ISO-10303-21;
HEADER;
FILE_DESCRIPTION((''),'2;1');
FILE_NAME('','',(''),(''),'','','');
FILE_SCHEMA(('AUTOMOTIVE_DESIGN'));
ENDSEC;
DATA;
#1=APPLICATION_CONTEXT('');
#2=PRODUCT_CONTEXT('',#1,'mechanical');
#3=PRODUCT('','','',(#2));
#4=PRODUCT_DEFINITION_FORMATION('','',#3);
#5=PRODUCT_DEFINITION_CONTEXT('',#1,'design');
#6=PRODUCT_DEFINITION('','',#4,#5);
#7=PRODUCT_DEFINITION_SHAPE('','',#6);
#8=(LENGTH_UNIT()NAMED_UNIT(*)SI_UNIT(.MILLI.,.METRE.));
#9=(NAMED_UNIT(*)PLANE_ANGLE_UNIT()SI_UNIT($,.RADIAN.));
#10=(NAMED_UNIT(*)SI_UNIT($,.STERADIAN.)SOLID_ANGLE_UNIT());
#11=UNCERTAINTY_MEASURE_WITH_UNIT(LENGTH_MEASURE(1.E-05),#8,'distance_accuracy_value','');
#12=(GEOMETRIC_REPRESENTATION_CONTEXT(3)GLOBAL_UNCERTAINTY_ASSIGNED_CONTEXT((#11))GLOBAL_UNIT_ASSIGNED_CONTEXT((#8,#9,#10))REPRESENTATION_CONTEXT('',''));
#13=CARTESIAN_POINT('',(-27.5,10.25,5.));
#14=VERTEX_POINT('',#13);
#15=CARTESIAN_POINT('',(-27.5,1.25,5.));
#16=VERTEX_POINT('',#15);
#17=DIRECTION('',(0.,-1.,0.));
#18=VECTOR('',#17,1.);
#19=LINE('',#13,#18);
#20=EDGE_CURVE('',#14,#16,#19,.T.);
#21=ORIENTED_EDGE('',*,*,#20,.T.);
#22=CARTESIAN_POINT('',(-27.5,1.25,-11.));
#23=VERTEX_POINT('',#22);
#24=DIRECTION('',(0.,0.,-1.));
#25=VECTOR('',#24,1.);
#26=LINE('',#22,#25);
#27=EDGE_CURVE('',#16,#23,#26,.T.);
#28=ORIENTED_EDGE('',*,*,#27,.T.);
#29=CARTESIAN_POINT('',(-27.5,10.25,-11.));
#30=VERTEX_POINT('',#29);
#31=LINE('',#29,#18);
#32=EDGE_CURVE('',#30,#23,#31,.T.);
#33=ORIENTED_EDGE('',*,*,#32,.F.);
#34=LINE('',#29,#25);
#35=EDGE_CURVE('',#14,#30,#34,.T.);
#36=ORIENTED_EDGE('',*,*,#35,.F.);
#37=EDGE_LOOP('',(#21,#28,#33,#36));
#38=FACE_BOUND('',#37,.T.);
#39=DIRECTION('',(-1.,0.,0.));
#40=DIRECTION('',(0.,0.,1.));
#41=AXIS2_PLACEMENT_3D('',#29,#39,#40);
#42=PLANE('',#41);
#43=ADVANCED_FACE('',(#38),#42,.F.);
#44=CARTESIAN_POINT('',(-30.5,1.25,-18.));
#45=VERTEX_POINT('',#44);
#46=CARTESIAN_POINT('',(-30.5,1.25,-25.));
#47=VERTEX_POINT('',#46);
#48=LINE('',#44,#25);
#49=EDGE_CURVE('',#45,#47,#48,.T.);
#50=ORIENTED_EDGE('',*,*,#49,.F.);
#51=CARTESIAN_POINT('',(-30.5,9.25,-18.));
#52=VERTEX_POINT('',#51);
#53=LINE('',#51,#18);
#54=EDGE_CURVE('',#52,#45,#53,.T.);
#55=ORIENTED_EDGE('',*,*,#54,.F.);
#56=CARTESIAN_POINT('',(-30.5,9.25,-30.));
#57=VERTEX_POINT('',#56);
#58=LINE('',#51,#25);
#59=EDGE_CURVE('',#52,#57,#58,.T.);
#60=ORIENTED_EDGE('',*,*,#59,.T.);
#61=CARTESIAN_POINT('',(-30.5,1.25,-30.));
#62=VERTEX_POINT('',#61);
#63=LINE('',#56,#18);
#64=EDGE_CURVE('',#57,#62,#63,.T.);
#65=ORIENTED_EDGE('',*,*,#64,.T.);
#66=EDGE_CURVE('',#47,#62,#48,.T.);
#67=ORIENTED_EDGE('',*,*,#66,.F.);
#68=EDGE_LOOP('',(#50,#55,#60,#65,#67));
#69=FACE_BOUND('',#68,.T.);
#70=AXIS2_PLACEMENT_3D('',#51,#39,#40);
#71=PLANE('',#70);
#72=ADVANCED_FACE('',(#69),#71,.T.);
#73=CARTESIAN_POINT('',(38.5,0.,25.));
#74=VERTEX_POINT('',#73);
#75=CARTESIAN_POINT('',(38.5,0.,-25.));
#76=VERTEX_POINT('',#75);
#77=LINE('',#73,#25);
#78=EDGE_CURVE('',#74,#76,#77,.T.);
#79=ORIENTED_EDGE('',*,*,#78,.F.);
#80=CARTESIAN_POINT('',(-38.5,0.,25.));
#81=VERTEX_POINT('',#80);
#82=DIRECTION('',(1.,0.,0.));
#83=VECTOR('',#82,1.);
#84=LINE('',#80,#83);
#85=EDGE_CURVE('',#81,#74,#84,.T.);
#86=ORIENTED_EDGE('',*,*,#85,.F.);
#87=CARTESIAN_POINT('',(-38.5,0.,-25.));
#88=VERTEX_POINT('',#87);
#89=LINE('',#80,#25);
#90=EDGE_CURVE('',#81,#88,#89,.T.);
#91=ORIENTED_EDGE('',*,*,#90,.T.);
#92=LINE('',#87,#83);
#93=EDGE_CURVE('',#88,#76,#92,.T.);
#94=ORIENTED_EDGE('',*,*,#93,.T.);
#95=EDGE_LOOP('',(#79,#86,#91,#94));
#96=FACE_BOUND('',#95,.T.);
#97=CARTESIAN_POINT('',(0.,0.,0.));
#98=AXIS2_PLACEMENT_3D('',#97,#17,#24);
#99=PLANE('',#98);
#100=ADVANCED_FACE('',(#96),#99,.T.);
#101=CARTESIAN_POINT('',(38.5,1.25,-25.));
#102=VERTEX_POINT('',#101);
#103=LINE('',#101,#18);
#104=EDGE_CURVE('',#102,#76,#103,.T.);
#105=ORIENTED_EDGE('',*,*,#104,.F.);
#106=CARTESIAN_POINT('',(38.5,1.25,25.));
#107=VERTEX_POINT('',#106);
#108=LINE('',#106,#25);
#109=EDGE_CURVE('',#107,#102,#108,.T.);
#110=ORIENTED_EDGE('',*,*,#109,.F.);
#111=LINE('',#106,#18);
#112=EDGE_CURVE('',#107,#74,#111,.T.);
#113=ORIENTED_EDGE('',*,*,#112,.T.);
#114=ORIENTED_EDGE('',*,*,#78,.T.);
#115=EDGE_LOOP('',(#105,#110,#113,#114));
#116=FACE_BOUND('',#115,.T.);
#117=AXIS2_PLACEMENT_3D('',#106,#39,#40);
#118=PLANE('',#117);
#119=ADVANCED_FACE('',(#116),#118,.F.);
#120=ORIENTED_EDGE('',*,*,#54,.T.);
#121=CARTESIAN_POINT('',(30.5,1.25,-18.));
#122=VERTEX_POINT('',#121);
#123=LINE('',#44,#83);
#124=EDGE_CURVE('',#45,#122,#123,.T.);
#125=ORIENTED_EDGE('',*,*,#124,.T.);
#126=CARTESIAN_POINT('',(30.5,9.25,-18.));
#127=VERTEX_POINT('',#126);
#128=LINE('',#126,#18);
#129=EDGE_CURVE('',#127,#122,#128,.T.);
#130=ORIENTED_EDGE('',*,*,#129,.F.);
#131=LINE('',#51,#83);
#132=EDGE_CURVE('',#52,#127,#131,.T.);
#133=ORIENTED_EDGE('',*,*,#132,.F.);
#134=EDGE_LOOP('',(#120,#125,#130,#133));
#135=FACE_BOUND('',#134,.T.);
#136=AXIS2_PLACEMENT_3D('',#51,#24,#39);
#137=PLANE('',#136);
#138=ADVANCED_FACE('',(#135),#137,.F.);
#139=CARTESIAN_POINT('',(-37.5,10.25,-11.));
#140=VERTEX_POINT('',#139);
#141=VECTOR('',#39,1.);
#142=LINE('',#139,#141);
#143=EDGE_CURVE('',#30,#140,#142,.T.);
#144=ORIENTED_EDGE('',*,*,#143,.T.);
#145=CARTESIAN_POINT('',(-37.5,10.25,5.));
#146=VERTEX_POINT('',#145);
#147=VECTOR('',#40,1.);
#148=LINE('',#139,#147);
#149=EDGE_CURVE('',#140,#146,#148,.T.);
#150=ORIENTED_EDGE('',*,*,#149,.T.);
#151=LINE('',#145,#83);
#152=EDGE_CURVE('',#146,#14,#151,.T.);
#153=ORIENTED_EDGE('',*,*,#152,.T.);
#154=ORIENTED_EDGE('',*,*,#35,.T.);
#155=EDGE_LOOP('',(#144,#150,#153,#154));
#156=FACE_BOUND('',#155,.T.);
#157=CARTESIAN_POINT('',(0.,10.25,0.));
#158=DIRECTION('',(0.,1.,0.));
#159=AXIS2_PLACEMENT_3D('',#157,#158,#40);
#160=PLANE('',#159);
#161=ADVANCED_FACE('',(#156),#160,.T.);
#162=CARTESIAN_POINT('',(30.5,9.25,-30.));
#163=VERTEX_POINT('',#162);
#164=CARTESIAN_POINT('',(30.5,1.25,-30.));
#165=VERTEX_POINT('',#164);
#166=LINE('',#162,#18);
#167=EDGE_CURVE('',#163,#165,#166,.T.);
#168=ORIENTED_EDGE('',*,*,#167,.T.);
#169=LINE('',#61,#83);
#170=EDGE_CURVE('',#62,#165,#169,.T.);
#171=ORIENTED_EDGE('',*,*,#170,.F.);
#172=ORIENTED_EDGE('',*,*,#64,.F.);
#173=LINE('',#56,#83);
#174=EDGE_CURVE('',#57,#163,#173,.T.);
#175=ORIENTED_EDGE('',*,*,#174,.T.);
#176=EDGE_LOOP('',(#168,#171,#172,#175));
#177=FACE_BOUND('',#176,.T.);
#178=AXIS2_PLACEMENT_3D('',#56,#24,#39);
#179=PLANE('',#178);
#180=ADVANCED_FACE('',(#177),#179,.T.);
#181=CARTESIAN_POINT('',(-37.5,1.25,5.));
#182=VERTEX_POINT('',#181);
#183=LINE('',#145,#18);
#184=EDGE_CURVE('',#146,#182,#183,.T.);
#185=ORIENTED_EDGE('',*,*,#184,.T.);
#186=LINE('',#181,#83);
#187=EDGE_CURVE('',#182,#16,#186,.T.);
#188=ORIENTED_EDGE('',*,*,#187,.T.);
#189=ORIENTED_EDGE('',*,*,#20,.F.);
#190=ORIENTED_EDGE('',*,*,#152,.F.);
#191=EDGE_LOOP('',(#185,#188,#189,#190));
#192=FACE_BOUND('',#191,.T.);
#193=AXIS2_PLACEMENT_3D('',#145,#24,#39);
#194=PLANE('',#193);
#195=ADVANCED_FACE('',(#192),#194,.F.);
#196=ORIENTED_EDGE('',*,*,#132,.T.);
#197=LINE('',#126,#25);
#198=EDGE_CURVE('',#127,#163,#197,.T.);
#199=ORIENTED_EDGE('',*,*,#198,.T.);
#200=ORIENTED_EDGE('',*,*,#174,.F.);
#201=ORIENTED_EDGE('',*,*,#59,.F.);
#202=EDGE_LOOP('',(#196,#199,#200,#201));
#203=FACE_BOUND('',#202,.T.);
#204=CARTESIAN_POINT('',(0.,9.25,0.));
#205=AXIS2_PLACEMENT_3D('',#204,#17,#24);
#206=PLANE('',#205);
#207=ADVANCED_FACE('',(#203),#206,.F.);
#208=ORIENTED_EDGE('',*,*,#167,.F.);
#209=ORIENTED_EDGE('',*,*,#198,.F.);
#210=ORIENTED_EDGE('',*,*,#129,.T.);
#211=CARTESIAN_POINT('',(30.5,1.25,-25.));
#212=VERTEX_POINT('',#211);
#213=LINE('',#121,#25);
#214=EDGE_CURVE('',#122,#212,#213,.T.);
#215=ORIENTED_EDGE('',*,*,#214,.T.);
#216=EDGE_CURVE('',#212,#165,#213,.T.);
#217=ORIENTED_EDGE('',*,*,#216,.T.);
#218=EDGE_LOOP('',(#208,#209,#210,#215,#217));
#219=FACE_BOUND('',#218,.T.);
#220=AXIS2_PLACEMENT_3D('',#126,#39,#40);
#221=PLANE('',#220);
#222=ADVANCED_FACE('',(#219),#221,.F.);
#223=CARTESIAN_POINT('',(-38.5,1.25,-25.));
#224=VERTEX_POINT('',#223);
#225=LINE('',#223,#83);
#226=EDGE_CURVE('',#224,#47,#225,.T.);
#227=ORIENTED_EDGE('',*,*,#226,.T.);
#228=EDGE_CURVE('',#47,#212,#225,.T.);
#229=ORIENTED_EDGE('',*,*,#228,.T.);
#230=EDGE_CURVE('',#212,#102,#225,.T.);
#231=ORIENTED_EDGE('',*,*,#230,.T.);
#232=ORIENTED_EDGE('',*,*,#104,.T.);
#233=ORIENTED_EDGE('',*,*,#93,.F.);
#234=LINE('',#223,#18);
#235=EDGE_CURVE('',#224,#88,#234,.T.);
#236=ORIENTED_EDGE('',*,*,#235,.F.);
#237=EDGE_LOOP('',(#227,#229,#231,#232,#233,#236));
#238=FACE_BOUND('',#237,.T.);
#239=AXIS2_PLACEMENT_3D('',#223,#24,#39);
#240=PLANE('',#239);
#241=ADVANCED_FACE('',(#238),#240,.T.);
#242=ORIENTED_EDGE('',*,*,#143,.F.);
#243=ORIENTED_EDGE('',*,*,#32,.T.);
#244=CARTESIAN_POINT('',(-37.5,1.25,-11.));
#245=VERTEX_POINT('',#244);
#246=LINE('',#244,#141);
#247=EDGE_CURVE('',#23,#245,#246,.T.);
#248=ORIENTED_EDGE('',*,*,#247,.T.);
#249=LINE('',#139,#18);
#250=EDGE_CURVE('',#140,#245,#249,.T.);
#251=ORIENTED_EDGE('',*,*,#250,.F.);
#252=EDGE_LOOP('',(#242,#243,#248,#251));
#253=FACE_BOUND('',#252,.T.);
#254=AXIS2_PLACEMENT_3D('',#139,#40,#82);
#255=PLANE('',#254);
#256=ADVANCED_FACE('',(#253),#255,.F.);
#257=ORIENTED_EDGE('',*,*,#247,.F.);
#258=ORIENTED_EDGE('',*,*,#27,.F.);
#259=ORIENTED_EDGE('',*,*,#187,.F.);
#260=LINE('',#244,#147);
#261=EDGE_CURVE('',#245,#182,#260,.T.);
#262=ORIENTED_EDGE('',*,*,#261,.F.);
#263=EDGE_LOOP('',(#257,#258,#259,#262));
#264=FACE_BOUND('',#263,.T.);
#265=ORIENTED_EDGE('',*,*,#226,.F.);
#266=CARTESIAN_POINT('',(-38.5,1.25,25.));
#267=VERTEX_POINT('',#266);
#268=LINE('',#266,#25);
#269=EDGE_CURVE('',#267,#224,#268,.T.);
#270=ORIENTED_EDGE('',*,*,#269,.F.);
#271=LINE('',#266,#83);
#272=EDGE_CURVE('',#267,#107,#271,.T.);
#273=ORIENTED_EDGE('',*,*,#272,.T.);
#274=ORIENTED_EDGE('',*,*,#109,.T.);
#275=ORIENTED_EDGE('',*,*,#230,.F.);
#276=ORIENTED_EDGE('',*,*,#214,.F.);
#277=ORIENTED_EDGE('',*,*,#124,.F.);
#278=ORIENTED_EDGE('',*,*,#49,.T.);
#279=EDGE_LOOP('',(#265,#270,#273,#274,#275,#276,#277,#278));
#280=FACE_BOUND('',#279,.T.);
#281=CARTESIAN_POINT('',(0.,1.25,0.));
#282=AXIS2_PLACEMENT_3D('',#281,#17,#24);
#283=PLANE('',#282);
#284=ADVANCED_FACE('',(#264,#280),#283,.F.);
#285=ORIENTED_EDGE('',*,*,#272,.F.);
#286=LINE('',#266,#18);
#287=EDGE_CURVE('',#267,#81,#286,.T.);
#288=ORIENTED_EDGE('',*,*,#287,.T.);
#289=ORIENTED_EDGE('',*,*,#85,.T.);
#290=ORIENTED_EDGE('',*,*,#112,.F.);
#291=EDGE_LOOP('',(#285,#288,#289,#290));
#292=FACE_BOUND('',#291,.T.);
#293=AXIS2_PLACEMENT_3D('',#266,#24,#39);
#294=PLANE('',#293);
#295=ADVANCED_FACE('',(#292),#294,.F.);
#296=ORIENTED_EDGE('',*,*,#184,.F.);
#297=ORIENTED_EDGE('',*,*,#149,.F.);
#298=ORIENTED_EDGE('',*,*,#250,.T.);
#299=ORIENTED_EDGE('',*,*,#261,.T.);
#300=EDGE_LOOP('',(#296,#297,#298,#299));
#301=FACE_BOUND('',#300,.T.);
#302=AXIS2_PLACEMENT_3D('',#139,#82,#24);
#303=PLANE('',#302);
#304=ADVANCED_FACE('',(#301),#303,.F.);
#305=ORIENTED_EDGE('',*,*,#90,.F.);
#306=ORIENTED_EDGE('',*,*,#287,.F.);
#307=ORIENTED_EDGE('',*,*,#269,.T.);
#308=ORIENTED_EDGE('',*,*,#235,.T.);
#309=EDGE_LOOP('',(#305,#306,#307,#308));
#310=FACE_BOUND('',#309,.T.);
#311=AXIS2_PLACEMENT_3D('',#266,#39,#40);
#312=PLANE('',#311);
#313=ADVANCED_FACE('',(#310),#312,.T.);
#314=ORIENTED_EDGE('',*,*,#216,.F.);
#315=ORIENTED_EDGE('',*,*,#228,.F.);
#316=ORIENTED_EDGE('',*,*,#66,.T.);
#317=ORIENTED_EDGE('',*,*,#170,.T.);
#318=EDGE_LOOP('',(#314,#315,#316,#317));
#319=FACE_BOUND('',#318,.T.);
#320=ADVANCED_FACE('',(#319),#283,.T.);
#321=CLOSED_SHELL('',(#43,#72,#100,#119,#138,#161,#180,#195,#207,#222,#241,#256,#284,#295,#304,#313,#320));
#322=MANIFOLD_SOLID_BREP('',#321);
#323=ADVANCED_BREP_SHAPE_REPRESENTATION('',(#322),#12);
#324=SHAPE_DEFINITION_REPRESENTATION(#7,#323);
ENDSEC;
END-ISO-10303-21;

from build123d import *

# Parameters (mm, degrees)
SKETCH1_W           = 77
SKETCH1_H           = 50
BOSS_EXTRUDE1_DEPTH = 1.25
SKETCH2_W           = 10
SKETCH2_H           = 16
BOSS_EXTRUDE2_DEPTH = 9
SKETCH3_W           = 61
SKETCH3_H           = 12
BOSS_EXTRUDE3_DEPTH = 8


with BuildPart() as part:
    # Sketch1 → Boss-Extrude1 (new body)
    with BuildSketch(Plane(origin=(0, 0, 0), x_dir=(1, 0, 0), z_dir=(0, 1, 0))):
        Rectangle(SKETCH1_W, SKETCH1_H)
    extrude(amount=BOSS_EXTRUDE1_DEPTH)

    # Sketch2 → Boss-Extrude2 (add)
    with BuildSketch(Plane(origin=(0, 1.25, 0), x_dir=(1, 0, 0), z_dir=(0, 1, 0))):
        with Locations((-32.5, 3)):
            Rectangle(SKETCH2_W, SKETCH2_H)
    extrude(amount=BOSS_EXTRUDE2_DEPTH)

    # Sketch3 → Boss-Extrude3 (add)
    with BuildSketch(Plane(origin=(0, 1.25, 0), x_dir=(1, 0, 0), z_dir=(0, 1, 0))):
        with Locations((0, 24)):
            Rectangle(SKETCH3_W, SKETCH3_H)
    extrude(amount=BOSS_EXTRUDE3_DEPTH)


solid = part.part
